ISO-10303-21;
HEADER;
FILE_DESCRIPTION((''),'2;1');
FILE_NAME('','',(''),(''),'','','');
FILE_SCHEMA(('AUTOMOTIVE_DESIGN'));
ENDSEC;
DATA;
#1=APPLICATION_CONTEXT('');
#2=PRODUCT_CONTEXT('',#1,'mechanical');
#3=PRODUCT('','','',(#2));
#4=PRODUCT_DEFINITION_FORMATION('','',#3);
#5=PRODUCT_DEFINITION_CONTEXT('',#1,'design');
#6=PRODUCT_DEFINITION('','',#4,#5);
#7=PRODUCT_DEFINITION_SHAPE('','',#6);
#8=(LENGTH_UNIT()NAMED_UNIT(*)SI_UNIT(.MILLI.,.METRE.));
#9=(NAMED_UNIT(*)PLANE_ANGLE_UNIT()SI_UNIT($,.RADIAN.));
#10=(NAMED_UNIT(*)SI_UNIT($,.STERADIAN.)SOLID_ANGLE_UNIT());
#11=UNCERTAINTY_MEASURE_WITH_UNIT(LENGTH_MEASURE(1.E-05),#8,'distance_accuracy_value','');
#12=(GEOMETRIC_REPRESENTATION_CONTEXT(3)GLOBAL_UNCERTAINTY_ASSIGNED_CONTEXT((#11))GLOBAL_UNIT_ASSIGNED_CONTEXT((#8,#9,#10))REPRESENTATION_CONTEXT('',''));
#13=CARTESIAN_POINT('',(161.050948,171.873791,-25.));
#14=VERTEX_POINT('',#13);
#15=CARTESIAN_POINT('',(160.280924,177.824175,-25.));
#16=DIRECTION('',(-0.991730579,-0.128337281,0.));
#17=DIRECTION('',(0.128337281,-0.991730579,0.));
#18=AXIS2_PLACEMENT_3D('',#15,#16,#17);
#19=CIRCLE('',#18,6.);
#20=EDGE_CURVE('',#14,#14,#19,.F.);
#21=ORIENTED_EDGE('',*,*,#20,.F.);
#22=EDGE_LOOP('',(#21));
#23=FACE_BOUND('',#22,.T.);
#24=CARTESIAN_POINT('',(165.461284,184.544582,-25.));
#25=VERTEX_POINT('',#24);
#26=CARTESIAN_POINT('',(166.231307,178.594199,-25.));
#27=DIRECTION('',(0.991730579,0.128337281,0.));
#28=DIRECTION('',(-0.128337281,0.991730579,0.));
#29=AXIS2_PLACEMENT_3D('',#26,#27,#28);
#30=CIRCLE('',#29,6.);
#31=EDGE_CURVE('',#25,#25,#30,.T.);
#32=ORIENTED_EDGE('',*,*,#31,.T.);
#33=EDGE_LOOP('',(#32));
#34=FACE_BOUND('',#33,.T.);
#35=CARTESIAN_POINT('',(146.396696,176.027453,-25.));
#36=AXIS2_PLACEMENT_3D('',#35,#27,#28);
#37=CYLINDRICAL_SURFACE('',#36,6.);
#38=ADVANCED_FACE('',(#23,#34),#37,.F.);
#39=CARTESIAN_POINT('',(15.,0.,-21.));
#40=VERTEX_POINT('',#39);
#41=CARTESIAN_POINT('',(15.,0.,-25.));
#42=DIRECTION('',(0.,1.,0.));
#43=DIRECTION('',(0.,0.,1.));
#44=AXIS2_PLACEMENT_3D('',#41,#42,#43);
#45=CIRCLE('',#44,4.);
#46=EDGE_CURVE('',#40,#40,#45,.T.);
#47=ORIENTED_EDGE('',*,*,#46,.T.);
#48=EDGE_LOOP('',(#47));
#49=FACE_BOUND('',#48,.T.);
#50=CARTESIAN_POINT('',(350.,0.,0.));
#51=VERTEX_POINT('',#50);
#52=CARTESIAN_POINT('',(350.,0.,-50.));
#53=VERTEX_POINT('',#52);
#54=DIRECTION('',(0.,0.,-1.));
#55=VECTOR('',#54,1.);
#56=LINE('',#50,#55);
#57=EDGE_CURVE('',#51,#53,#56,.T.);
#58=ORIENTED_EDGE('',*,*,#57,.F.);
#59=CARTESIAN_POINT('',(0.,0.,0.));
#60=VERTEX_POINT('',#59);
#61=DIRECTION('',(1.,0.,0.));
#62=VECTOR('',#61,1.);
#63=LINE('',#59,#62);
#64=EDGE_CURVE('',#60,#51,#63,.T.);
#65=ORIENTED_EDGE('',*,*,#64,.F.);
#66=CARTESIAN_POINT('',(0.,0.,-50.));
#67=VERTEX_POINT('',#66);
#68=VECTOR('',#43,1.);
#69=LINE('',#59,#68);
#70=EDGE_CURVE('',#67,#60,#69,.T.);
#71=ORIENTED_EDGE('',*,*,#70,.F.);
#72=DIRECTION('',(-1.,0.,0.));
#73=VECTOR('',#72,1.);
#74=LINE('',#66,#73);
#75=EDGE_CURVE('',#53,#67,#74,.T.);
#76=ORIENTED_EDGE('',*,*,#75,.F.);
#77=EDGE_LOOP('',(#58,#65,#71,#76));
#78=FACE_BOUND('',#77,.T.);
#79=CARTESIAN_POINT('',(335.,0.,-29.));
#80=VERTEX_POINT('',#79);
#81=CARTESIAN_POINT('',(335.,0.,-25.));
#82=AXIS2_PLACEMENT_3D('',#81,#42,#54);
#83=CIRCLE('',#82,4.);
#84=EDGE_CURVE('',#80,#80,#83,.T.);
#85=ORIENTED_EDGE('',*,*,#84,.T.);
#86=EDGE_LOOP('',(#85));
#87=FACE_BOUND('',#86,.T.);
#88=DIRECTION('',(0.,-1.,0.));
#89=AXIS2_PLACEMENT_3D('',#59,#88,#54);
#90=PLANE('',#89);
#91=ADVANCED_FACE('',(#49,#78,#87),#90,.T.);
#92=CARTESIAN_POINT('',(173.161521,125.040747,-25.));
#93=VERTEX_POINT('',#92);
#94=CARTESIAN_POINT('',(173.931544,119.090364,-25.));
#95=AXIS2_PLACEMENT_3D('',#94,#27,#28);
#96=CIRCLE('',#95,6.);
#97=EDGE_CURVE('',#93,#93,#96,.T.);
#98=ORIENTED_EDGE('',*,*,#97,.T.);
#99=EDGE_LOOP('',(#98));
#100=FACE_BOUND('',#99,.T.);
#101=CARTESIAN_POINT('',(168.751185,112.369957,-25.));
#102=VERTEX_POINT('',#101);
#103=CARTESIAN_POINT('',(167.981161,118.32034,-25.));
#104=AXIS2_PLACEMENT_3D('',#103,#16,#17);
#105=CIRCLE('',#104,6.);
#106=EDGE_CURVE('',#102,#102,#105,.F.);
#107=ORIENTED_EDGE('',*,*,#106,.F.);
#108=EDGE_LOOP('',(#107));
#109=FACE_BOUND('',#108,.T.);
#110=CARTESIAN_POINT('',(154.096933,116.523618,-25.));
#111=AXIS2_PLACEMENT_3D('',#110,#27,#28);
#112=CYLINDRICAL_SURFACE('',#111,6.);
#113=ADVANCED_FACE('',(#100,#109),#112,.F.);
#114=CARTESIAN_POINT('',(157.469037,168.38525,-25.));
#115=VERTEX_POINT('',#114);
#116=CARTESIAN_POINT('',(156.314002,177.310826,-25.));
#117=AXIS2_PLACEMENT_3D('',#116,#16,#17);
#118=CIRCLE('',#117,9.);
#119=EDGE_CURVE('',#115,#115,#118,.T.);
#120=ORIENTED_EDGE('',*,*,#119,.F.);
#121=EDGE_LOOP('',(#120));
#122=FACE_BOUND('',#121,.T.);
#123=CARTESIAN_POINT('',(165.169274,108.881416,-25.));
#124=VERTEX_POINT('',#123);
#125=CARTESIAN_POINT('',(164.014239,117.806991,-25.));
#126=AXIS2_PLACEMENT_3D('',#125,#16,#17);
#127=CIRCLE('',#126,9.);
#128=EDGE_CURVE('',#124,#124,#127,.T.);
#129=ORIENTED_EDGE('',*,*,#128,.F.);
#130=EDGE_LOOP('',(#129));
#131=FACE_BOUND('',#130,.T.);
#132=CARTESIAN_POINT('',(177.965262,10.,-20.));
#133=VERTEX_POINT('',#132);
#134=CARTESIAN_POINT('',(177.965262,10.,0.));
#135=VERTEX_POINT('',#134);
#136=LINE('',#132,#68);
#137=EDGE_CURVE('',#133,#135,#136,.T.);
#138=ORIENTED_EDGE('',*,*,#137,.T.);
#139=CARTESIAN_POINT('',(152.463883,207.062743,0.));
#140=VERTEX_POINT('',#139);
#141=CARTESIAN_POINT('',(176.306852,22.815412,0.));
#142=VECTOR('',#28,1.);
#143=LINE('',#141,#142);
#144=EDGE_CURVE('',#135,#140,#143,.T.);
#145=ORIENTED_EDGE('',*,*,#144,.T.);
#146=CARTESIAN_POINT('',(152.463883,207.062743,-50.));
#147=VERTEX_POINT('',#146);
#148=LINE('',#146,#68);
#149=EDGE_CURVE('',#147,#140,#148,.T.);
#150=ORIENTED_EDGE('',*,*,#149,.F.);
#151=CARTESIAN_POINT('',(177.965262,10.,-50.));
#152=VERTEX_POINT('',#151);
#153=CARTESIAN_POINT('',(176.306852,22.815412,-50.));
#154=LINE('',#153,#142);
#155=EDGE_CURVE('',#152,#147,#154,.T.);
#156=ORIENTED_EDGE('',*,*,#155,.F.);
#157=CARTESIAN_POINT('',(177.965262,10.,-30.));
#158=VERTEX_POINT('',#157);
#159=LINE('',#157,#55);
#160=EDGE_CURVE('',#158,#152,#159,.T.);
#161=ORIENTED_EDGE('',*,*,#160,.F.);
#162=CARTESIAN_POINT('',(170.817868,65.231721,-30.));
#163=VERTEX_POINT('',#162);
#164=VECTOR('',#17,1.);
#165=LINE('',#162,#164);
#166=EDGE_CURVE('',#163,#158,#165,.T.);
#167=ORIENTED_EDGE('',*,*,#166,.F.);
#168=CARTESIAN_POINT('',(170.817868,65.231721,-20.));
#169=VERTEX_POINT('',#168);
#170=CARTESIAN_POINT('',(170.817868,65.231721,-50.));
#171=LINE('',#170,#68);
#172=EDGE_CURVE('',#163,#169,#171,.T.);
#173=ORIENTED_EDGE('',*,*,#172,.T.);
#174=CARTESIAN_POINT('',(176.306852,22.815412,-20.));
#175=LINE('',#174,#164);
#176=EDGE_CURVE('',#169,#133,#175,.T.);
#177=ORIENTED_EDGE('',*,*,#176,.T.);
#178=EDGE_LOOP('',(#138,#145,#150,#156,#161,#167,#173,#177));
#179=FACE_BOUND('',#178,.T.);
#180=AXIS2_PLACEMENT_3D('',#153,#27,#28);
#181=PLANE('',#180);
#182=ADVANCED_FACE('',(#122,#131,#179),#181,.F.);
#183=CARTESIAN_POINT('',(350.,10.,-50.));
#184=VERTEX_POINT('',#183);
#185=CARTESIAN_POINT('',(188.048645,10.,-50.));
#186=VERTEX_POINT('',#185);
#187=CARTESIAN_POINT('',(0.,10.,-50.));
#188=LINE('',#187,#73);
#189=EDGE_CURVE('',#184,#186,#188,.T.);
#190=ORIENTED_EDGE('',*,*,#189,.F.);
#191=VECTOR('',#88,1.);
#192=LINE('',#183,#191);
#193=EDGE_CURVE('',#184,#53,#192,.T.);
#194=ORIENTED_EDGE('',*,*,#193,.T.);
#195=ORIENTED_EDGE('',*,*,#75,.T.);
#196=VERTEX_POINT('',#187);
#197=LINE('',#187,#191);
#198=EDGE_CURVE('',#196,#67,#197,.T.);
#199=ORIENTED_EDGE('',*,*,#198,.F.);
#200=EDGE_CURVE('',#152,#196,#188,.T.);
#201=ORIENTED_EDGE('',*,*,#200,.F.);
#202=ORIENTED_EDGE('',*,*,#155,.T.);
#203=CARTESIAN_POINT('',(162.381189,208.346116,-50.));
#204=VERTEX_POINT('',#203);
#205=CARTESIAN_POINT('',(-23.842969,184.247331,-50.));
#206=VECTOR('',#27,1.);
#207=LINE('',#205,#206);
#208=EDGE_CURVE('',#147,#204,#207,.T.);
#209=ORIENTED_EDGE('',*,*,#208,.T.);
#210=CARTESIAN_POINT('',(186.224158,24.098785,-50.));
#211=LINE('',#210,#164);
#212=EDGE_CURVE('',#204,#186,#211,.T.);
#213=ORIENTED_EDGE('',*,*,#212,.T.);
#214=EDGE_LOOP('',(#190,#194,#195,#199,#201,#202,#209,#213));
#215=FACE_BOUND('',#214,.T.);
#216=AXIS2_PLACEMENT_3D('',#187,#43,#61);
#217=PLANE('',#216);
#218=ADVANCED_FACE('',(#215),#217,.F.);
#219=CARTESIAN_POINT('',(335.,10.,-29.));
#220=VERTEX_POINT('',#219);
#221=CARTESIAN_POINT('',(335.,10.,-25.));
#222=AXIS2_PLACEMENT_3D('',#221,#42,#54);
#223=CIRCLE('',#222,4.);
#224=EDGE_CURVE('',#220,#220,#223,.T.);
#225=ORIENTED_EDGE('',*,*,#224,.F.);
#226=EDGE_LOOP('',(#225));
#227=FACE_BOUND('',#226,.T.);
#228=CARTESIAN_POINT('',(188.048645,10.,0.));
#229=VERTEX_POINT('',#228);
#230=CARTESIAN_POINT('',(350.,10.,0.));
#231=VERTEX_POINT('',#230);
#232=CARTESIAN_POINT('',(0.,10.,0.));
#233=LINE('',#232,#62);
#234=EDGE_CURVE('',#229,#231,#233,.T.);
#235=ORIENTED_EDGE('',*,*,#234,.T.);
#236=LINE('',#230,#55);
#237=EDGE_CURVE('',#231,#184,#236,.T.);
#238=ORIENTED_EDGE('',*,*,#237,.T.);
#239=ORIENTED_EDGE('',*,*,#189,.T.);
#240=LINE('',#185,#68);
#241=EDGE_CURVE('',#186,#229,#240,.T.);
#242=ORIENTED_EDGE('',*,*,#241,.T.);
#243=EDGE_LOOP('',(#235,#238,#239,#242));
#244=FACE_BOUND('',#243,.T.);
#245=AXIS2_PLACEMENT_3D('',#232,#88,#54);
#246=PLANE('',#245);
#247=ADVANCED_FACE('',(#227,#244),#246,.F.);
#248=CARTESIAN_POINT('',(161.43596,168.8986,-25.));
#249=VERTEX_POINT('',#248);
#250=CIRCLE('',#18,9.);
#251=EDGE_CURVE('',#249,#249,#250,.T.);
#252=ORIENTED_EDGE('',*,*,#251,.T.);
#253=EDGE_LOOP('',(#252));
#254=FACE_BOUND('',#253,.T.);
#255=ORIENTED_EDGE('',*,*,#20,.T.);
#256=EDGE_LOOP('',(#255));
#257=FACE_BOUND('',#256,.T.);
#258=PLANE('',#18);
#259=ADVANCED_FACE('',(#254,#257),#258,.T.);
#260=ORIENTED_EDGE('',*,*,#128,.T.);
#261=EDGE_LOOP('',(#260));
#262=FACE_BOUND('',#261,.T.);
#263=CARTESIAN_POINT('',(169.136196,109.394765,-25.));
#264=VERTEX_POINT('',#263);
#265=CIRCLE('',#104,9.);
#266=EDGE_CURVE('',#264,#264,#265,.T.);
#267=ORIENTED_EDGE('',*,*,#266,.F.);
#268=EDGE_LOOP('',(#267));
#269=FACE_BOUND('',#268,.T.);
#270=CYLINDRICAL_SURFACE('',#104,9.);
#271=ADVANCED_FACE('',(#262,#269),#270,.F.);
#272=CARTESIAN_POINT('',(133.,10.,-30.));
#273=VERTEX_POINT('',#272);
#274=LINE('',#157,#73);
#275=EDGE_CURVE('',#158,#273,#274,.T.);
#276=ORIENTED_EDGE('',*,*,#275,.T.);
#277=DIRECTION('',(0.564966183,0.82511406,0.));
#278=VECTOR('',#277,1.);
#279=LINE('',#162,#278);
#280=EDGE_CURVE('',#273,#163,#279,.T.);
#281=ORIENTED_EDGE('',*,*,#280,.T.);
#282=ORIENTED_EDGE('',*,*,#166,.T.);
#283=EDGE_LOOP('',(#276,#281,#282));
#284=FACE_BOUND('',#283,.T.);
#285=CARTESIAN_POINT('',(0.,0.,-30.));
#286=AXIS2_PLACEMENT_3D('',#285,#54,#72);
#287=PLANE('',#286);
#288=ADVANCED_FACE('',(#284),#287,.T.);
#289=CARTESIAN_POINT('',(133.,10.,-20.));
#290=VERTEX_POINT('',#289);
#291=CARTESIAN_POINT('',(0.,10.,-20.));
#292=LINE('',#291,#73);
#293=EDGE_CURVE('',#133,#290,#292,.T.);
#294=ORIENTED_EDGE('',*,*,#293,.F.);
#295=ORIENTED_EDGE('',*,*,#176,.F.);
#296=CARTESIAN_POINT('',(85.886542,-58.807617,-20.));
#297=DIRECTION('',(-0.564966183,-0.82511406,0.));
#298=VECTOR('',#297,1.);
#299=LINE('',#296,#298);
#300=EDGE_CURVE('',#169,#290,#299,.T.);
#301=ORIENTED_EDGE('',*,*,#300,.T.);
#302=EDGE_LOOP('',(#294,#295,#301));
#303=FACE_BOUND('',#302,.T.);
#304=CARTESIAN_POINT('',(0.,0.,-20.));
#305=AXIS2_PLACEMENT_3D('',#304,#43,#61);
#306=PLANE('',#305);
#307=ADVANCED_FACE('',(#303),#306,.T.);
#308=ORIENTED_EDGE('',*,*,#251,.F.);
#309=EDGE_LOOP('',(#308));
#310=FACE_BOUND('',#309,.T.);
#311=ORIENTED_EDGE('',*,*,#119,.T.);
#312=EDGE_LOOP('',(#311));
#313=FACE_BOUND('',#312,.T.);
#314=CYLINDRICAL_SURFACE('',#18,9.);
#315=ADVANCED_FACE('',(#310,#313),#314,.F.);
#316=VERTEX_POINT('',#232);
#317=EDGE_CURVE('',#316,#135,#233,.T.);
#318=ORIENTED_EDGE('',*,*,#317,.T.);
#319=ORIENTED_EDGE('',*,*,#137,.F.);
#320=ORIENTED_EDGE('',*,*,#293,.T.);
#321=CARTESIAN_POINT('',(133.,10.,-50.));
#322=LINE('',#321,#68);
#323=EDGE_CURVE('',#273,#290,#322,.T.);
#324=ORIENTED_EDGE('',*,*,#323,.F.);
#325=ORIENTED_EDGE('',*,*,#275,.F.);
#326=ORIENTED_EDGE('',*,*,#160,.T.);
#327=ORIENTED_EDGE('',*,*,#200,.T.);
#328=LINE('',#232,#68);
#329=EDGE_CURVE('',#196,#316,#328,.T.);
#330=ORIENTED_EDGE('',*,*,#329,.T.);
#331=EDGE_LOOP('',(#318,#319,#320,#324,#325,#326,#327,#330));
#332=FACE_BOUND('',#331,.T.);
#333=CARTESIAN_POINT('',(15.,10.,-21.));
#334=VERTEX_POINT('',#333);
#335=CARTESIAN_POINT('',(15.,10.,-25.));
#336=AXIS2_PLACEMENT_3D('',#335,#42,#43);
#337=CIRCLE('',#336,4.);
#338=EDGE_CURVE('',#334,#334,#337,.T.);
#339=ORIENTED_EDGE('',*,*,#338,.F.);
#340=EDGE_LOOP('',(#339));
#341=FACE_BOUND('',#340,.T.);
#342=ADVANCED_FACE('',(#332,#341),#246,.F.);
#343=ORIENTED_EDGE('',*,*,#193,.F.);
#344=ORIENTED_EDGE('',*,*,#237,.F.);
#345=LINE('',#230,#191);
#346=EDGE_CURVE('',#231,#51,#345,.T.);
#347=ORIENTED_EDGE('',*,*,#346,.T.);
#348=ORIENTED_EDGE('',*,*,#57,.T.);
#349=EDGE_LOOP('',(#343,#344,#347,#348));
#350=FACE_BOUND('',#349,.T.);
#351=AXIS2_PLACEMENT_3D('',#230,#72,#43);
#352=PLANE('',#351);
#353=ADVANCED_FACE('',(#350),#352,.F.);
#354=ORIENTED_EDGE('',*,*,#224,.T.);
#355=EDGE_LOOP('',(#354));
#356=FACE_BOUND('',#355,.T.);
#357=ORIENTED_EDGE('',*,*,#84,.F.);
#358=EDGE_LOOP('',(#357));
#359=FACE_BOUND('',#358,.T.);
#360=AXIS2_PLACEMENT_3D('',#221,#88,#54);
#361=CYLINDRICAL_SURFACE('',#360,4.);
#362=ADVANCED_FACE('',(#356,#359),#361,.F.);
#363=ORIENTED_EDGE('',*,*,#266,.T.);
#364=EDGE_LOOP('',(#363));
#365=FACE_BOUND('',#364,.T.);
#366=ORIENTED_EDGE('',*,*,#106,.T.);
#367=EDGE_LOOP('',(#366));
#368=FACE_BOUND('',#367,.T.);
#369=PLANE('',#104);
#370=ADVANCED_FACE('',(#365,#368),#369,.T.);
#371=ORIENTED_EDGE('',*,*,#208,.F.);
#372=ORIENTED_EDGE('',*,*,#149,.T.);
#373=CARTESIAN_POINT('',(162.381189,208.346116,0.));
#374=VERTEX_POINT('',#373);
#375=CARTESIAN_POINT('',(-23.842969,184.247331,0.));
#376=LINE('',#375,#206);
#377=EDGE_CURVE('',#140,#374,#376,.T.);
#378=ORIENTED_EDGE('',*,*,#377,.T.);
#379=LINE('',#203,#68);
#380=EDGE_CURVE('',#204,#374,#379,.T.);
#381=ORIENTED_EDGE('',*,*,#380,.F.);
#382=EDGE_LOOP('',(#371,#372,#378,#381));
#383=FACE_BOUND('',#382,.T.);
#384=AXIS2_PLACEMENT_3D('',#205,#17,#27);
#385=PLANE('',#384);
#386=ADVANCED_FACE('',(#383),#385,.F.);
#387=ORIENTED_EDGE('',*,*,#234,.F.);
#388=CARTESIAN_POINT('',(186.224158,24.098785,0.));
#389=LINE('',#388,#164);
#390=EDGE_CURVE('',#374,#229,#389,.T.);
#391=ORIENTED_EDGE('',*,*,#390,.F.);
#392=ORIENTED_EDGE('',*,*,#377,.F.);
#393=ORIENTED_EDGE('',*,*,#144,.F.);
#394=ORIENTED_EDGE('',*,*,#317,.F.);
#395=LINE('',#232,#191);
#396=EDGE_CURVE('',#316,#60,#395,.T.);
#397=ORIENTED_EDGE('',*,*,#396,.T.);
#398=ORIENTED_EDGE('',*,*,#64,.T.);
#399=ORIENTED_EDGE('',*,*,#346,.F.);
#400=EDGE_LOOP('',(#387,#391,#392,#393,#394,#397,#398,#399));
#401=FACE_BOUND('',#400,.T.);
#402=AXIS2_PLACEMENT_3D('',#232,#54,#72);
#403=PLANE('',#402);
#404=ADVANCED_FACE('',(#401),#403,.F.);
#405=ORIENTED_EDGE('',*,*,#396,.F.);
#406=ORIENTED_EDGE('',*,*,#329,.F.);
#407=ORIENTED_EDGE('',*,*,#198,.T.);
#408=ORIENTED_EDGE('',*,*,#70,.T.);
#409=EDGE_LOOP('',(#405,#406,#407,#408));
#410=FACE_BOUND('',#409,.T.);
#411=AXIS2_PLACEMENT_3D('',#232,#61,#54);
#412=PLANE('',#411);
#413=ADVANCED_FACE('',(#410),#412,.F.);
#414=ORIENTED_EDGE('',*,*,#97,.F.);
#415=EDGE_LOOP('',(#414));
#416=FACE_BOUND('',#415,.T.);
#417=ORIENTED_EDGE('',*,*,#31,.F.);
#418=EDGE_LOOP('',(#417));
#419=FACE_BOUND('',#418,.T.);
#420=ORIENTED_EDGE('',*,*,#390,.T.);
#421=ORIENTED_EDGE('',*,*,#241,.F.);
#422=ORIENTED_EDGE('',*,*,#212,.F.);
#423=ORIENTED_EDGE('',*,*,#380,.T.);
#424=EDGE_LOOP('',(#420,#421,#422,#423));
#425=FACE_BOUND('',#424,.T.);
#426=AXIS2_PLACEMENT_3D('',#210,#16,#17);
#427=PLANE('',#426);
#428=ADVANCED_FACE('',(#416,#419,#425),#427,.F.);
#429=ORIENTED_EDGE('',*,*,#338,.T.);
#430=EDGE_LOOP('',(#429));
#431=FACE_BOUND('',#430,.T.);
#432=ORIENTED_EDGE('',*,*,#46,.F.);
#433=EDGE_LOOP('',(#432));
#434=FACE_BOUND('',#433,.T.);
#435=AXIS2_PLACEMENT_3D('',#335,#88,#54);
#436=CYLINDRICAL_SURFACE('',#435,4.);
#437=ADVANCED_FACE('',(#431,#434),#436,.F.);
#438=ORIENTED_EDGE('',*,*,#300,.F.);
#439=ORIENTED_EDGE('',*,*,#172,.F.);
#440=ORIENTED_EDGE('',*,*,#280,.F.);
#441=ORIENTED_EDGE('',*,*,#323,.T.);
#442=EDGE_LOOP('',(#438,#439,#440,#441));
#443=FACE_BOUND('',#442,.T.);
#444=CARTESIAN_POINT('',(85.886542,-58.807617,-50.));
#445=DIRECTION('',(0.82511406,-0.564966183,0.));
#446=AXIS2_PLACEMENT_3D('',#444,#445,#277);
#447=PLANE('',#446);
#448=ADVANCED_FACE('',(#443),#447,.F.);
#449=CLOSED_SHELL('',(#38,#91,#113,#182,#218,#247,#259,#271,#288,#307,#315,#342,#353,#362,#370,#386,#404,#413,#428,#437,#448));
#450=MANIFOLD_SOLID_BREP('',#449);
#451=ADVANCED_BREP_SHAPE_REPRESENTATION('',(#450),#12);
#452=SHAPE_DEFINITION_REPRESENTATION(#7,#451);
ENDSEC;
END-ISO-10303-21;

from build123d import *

# Parameters (mm, degrees)
SKETCH_1_W          = 350
SKETCH_1_H          = 50
SKETCH_1_R          = 4
EXTRUDE_1_DEPTH     = 10
EXTRUDE_2_DEPTH     = 50
CUT_EXTRUDE_1_DEPTH = 20
CUT_EXTRUDE_2_DEPTH = 20
SKETCH_5_R          = 6
CUT_EXTRUDE_3_DEPTH = 20
SKETCH_6_R          = 9
CUT_EXTRUDE_4_DEPTH = 4


with BuildPart() as part:
    # 草图1 → 凸台-拉伸1 (new body)
    with BuildSketch(Plane(origin=(0, 0, 0), x_dir=(1, 0, 0), z_dir=(0, 1, 0))):
        with Locations((175, 25)):
            Rectangle(SKETCH_1_W, SKETCH_1_H)
        with Locations(Location((15, 25, 0), (0, 0, 270))):
            Circle(SKETCH_1_R, mode=Mode.SUBTRACT)
        with Locations(Location((335, 25, 0), (0, 0, 90))):
            Circle(SKETCH_1_R, mode=Mode.SUBTRACT)
    extrude(amount=EXTRUDE_1_DEPTH)

    # 草图2 → 凸台-拉伸2 (add)
    with BuildSketch(Plane.XY):
        Polygon((170.81786786, 65.231720812), (152.463883228, 207.062743075), (162.381189023, 208.346115889), (188.0486453, 10), (175, 10), (133, 10), align=None)
    extrude(amount=-EXTRUDE_2_DEPTH)

    # 草图3 → 切除-拉伸1 (cut)
    with BuildSketch(Plane.XY):
        Polygon((177.96526156, 10), (133, 10), (170.81786786, 65.231720812), align=None)
    extrude(amount=-CUT_EXTRUDE_1_DEPTH, mode=Mode.SUBTRACT)

    # 草图4 → 切除-拉伸2 (cut)
    with BuildSketch(Plane(origin=(0, 0, -50), x_dir=(-1, 0, 0), z_dir=(0, 0, -1))):
        Polygon((-170.81786786, 65.231720812), (-177.96526156, 10), (-133, 10), align=None)
    extrude(amount=-CUT_EXTRUDE_2_DEPTH, mode=Mode.SUBTRACT)

    # 草图5 → 切除-拉伸3 (cut)
    with BuildSketch(Plane(origin=(186.224158089, 24.098785167, 0), x_dir=(0, 0, -1), z_dir=(0.9917305794448423, 0.12833728138774617, 0))):
        with Locations(Location((25, 95.783653888, 0), (0, 0, 90))):
            Circle(SKETCH_5_R)
        with Locations(Location((25, 155.783653888, 0), (0, 0, 90))):
            Circle(SKETCH_5_R)
    extrude(amount=-CUT_EXTRUDE_3_DEPTH, mode=Mode.SUBTRACT)

    # 草图6 → 切除-拉伸4 (cut)
    with BuildSketch(Plane(origin=(176.306852295, 22.815412353, 0), x_dir=(0, 0, 1), z_dir=(-0.9917305794448422, -0.1283372813877468, 0))):
        with Locations(Location((-25, 155.783653888, 0), (0, 0, 270))):
            Circle(SKETCH_6_R)
        with Locations(Location((-25, 95.783653888, 0), (0, 0, 270))):
            Circle(SKETCH_6_R)
    extrude(amount=-CUT_EXTRUDE_4_DEPTH, mode=Mode.SUBTRACT)


solid = part.part
